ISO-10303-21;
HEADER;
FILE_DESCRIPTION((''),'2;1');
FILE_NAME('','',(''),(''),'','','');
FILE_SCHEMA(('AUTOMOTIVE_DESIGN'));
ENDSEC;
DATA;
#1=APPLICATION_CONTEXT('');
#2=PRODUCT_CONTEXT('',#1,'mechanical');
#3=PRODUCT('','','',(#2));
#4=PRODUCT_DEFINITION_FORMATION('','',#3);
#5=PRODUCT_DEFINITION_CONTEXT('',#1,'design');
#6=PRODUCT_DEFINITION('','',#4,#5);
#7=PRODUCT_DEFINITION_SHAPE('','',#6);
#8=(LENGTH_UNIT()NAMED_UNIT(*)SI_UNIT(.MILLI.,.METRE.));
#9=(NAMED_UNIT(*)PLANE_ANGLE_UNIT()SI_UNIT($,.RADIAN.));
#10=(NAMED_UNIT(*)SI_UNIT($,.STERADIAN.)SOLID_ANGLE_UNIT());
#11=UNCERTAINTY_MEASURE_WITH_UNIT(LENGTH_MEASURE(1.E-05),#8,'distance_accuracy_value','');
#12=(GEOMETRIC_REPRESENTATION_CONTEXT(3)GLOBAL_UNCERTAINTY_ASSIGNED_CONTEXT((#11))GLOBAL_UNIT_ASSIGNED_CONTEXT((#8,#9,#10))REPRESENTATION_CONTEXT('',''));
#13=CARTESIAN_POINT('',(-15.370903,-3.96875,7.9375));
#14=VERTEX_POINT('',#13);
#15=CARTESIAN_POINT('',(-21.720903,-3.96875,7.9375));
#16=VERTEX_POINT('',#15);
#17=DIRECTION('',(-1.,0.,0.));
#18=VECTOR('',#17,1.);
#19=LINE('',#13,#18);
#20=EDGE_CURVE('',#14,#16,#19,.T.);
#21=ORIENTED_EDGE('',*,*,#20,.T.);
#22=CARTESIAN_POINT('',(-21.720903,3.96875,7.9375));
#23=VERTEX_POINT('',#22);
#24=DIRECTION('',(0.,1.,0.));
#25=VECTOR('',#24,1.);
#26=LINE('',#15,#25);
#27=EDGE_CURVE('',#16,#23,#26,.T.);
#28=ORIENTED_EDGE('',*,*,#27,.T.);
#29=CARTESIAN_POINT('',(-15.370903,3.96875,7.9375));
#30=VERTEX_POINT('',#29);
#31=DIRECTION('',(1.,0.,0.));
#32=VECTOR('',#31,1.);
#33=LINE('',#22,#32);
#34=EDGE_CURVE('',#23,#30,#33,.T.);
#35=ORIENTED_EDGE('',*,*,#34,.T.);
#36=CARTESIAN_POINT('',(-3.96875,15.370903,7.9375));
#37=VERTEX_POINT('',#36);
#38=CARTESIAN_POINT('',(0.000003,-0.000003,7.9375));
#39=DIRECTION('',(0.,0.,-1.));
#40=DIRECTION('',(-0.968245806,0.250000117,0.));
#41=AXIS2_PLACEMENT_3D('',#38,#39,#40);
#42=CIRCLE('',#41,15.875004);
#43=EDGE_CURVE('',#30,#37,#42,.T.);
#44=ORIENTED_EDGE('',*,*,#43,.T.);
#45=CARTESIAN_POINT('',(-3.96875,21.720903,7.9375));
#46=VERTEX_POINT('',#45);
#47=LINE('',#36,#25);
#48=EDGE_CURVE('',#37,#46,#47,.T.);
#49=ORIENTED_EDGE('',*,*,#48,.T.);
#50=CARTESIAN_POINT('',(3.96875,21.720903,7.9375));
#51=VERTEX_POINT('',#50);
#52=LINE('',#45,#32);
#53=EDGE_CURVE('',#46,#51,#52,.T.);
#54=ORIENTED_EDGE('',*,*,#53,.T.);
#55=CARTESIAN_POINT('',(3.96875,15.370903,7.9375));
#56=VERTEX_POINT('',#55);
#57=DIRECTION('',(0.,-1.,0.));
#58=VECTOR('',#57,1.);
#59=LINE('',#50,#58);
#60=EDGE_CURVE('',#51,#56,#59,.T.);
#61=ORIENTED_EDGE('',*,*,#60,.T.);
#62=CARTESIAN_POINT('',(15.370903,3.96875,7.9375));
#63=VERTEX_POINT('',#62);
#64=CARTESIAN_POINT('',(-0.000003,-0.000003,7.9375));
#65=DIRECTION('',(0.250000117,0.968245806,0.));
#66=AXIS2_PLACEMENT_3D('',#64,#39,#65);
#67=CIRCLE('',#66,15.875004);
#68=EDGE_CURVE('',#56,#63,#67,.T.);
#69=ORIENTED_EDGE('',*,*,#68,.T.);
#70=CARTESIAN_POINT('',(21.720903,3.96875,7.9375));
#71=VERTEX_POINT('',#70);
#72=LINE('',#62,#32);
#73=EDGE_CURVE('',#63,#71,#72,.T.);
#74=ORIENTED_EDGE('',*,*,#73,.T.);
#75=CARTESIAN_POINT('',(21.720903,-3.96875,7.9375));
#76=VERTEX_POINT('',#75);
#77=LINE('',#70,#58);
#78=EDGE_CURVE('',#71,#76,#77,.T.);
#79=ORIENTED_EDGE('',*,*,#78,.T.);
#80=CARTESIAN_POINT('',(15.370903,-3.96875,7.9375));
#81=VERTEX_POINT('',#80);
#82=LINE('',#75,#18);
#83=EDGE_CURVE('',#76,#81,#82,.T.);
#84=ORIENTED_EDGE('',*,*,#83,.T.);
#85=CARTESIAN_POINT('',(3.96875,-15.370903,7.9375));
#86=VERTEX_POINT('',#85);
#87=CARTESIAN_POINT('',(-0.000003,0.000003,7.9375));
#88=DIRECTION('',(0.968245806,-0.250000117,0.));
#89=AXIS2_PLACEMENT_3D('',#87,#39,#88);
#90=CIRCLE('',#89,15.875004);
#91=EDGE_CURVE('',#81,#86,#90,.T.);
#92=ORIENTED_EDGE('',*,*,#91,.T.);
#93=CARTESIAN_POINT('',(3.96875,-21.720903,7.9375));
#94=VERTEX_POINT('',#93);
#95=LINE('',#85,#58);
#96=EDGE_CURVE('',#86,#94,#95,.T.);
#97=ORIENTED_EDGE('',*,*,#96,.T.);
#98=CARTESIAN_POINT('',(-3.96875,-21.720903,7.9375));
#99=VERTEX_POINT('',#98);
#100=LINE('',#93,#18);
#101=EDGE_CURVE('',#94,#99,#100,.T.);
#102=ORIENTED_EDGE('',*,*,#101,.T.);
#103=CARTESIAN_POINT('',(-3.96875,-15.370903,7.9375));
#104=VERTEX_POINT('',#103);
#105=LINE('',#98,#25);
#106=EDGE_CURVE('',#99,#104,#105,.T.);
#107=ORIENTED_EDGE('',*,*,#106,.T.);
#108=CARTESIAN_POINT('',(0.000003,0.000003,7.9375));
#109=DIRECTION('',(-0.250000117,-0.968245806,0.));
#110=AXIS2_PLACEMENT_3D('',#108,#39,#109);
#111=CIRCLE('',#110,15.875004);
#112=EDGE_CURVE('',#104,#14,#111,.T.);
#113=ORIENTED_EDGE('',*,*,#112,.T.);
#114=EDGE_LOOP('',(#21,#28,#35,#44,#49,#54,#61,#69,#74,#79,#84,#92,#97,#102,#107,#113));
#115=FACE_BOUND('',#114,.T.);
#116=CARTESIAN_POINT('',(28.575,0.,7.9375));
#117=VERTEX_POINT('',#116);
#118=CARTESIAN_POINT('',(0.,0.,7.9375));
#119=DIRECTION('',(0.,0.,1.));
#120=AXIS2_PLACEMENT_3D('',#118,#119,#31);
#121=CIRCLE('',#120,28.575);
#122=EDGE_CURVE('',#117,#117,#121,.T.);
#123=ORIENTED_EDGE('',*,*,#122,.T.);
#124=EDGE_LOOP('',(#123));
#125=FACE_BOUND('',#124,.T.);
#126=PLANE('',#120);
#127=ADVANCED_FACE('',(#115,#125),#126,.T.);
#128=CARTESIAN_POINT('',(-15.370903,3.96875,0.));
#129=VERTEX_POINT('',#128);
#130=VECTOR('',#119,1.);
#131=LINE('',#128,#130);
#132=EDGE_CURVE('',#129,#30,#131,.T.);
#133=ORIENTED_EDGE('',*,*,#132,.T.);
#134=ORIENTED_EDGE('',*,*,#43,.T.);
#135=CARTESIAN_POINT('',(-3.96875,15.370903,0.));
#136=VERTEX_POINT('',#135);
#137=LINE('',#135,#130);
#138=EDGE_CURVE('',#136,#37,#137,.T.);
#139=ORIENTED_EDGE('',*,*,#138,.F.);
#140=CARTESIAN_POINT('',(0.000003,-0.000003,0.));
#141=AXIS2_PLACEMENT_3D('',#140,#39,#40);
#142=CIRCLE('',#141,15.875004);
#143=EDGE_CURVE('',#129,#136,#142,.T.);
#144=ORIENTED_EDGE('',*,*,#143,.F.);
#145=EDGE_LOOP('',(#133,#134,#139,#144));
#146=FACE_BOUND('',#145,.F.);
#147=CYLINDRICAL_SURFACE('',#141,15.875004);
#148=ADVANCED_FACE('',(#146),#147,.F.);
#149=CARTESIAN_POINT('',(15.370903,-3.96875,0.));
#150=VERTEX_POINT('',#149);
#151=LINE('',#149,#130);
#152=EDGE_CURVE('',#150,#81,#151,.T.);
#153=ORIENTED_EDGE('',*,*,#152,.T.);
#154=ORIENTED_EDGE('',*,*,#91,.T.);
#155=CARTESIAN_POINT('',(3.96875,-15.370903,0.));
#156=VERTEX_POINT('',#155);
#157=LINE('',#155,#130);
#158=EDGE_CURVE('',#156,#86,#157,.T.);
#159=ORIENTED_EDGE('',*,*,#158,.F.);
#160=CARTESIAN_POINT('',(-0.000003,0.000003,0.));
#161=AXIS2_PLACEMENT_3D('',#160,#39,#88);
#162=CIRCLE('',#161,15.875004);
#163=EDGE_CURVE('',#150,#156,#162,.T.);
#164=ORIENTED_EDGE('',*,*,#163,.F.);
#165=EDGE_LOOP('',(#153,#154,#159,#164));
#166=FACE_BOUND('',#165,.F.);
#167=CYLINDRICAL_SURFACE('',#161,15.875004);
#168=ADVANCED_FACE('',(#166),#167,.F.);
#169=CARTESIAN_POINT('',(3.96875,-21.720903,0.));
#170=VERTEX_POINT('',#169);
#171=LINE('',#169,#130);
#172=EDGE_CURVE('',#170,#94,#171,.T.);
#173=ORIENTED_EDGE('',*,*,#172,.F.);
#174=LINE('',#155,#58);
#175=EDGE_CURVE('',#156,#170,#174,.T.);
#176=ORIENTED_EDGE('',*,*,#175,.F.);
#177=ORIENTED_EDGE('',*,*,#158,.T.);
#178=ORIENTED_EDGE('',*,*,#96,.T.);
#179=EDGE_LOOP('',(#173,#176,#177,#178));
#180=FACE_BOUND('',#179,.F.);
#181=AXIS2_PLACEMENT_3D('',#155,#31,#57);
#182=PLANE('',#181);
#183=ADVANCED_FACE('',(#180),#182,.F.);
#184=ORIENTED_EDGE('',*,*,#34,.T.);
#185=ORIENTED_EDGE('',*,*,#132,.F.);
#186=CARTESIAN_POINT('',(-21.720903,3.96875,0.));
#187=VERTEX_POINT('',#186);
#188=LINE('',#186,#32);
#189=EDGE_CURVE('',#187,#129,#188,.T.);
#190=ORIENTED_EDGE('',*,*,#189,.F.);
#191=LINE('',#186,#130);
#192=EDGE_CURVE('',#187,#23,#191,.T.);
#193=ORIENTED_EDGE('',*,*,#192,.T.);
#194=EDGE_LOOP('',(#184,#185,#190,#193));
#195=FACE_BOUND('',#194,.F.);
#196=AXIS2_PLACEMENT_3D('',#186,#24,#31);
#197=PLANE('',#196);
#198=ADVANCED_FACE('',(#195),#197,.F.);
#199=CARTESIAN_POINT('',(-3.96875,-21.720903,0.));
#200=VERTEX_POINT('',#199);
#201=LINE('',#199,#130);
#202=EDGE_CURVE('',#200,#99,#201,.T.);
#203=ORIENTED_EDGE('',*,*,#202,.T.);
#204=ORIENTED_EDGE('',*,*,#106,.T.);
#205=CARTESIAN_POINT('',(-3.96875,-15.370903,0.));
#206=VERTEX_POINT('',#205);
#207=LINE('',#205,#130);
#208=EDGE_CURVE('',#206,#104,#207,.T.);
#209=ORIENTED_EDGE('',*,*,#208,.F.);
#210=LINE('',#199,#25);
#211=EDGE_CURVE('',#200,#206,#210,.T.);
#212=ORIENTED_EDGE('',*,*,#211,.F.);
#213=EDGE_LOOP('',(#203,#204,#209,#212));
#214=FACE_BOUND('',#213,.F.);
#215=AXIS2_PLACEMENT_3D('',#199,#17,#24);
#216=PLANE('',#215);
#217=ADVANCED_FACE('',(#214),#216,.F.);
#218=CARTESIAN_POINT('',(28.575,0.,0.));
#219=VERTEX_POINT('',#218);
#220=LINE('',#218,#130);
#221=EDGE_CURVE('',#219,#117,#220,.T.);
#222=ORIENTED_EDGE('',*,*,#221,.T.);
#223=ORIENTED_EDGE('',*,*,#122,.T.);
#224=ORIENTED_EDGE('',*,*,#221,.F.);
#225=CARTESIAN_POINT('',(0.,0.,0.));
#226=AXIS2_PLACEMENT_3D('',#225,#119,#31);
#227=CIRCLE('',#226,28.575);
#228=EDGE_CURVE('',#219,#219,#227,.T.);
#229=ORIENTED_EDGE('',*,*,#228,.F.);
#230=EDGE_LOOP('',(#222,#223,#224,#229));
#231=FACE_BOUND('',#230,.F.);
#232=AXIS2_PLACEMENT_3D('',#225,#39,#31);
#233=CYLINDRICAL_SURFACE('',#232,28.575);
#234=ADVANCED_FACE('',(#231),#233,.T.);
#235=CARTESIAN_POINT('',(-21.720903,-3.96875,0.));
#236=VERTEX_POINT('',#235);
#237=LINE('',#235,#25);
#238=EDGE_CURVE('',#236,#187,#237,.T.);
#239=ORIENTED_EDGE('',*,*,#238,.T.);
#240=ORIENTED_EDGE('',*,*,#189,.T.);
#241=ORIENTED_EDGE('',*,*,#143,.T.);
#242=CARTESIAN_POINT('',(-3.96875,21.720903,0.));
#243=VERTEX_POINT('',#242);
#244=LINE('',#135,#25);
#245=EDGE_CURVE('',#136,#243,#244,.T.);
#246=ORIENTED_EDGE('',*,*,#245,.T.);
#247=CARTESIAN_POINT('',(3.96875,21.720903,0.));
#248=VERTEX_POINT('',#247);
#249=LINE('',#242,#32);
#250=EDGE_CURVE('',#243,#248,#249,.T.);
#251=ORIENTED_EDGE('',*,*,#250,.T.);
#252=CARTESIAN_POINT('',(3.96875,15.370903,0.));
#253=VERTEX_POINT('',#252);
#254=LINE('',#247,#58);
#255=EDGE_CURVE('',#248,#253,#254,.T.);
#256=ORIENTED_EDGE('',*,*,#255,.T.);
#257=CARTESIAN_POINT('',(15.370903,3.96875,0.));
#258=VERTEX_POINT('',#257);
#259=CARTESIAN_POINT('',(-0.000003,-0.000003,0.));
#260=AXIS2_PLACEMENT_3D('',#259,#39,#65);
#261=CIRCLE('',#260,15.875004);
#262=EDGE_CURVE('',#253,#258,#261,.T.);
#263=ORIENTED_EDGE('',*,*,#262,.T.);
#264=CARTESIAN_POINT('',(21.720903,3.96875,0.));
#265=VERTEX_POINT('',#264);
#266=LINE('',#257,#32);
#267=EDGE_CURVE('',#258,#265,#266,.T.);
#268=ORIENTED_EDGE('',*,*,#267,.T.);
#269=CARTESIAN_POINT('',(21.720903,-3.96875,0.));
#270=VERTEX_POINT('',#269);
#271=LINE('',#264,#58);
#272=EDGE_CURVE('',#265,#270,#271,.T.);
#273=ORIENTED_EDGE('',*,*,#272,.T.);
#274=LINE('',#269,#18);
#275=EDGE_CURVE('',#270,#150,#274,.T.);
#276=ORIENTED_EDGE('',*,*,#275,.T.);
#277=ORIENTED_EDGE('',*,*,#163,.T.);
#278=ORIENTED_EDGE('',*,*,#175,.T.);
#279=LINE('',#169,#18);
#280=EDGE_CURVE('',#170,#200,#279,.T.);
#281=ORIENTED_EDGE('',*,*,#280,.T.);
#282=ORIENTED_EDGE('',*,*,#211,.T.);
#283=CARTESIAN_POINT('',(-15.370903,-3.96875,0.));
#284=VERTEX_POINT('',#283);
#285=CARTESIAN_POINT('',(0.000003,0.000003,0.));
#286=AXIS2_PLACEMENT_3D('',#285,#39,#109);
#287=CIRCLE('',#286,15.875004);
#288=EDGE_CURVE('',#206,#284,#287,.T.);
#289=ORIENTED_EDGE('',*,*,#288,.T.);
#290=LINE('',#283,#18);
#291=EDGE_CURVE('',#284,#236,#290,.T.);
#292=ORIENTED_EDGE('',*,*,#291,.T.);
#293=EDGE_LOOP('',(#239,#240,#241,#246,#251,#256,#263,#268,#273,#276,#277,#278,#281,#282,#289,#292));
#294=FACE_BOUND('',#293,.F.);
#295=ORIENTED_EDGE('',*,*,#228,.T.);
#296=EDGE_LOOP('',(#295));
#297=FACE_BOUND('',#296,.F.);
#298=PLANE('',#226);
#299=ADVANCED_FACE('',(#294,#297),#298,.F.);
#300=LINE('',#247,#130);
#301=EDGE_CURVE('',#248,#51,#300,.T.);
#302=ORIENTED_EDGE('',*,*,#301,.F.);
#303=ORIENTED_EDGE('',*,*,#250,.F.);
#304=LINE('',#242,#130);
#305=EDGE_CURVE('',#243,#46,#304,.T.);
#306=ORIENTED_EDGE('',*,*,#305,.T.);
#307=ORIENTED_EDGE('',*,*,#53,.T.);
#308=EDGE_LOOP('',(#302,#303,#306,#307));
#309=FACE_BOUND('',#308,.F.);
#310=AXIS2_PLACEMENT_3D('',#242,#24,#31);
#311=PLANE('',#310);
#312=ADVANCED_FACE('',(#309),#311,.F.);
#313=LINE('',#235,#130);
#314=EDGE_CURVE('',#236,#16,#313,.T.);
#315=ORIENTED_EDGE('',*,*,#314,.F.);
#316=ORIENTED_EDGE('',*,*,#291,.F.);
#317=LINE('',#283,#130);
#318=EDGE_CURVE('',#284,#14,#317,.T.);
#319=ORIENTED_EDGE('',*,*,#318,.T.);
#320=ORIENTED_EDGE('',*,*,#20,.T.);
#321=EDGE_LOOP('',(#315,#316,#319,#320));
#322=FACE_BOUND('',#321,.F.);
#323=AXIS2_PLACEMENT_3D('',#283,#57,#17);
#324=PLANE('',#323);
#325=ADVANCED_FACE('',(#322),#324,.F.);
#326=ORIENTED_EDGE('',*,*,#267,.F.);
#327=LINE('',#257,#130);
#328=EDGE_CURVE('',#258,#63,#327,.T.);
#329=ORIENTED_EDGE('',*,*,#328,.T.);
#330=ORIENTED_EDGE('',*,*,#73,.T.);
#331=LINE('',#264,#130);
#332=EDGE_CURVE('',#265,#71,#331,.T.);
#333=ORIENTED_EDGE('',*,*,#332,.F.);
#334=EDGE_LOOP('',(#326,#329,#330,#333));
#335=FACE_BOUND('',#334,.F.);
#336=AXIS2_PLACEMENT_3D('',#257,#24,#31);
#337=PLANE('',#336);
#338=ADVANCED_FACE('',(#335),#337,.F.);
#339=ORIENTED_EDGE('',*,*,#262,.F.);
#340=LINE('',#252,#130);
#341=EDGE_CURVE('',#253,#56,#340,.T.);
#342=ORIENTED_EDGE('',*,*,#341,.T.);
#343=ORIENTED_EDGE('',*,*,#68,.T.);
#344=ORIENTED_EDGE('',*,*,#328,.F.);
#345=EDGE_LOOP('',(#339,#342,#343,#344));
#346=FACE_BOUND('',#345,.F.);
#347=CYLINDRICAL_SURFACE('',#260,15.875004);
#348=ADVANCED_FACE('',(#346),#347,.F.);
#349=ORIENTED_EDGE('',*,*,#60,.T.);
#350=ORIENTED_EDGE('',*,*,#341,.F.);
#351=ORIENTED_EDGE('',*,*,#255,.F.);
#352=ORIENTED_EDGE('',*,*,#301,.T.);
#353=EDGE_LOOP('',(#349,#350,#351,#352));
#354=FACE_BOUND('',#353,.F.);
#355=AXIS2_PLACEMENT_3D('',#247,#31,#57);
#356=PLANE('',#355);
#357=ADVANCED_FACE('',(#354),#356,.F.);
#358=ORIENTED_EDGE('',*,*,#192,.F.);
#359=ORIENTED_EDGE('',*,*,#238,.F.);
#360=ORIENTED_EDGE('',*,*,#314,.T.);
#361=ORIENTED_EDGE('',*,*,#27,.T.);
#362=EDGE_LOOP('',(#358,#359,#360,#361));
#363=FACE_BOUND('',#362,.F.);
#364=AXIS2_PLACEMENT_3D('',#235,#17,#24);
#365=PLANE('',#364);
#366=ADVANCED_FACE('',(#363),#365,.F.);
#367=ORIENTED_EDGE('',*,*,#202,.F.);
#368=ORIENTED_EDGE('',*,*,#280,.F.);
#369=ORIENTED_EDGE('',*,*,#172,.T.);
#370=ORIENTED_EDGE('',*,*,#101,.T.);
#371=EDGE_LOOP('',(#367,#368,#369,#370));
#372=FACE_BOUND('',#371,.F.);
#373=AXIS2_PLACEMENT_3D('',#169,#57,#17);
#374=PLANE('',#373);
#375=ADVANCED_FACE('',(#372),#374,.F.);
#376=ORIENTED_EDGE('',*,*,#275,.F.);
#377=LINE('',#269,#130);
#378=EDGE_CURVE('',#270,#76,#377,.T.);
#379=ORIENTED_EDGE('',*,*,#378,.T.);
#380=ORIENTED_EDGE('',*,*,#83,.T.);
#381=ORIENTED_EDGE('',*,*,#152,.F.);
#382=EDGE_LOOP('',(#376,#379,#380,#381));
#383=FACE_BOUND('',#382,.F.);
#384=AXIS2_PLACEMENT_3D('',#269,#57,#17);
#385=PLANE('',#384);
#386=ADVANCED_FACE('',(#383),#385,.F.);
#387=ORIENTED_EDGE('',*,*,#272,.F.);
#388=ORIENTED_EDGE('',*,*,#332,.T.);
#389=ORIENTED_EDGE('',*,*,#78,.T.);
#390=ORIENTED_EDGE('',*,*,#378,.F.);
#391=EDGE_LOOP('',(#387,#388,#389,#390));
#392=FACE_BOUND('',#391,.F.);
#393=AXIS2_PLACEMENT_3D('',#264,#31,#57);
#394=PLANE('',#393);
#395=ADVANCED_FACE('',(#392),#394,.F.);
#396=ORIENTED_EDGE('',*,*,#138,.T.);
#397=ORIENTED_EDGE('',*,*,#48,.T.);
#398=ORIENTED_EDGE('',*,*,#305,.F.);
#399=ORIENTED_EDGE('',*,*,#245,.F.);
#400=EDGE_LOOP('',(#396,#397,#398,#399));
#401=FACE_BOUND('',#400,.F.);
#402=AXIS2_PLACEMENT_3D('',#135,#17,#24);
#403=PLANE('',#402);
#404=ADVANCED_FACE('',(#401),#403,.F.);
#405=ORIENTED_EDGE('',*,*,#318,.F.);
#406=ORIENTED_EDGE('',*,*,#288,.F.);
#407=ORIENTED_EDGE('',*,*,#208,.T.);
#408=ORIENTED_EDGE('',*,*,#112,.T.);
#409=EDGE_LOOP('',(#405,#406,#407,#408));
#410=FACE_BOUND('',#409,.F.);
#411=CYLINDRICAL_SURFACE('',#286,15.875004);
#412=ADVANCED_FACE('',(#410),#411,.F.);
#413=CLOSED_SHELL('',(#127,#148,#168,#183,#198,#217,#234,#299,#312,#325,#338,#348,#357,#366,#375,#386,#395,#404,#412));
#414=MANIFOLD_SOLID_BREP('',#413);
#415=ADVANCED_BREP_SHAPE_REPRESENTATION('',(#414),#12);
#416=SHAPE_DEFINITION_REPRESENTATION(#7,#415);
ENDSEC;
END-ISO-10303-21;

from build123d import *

# Parameters (mm, degrees)
F0_R     = 28.575
F1_DEPTH = 7.9375


with BuildPart() as f1:
    # F0 (on Top) → F1 (new body)
    with BuildSketch(Plane.XY):
        Circle(F0_R)
        with BuildLine():
            ThreePointArc((3.96875, 15.370903), (11.22532, 11.22532), (15.370903, 3.96875))
            Line((15.370903, 3.96875), (21.720903, 3.96875))
            Line((21.720903, 3.96875), (21.720903, -3.96875))
            Line((21.720903, -3.96875), (15.370903, -3.96875))
            ThreePointArc((15.370903, -3.96875), (11.22532, -11.22532), (3.96875, -15.370903))
            Line((3.96875, -15.370903), (3.96875, -21.720903))
            Line((3.96875, -21.720903), (-3.96875, -21.720903))
            Line((-3.96875, -21.720903), (-3.96875, -15.370903))
            ThreePointArc((-3.96875, -15.370903), (-11.22532, -11.22532), (-15.370903, -3.96875))
            Line((-15.370903, -3.96875), (-21.720903, -3.96875))
            Line((-21.720903, -3.96875), (-21.720903, 3.96875))
            Line((-21.720903, 3.96875), (-15.370903, 3.96875))
            ThreePointArc((-15.370903, 3.96875), (-11.22532, 11.22532), (-3.96875, 15.370903))
            Line((-3.96875, 15.370903), (-3.96875, 21.720903))
            Line((-3.96875, 21.720903), (3.96875, 21.720903))
            Line((3.96875, 21.720903), (3.96875, 15.370903))
        make_face(mode=Mode.SUBTRACT)
    extrude(amount=F1_DEPTH)


solid = f1.part
